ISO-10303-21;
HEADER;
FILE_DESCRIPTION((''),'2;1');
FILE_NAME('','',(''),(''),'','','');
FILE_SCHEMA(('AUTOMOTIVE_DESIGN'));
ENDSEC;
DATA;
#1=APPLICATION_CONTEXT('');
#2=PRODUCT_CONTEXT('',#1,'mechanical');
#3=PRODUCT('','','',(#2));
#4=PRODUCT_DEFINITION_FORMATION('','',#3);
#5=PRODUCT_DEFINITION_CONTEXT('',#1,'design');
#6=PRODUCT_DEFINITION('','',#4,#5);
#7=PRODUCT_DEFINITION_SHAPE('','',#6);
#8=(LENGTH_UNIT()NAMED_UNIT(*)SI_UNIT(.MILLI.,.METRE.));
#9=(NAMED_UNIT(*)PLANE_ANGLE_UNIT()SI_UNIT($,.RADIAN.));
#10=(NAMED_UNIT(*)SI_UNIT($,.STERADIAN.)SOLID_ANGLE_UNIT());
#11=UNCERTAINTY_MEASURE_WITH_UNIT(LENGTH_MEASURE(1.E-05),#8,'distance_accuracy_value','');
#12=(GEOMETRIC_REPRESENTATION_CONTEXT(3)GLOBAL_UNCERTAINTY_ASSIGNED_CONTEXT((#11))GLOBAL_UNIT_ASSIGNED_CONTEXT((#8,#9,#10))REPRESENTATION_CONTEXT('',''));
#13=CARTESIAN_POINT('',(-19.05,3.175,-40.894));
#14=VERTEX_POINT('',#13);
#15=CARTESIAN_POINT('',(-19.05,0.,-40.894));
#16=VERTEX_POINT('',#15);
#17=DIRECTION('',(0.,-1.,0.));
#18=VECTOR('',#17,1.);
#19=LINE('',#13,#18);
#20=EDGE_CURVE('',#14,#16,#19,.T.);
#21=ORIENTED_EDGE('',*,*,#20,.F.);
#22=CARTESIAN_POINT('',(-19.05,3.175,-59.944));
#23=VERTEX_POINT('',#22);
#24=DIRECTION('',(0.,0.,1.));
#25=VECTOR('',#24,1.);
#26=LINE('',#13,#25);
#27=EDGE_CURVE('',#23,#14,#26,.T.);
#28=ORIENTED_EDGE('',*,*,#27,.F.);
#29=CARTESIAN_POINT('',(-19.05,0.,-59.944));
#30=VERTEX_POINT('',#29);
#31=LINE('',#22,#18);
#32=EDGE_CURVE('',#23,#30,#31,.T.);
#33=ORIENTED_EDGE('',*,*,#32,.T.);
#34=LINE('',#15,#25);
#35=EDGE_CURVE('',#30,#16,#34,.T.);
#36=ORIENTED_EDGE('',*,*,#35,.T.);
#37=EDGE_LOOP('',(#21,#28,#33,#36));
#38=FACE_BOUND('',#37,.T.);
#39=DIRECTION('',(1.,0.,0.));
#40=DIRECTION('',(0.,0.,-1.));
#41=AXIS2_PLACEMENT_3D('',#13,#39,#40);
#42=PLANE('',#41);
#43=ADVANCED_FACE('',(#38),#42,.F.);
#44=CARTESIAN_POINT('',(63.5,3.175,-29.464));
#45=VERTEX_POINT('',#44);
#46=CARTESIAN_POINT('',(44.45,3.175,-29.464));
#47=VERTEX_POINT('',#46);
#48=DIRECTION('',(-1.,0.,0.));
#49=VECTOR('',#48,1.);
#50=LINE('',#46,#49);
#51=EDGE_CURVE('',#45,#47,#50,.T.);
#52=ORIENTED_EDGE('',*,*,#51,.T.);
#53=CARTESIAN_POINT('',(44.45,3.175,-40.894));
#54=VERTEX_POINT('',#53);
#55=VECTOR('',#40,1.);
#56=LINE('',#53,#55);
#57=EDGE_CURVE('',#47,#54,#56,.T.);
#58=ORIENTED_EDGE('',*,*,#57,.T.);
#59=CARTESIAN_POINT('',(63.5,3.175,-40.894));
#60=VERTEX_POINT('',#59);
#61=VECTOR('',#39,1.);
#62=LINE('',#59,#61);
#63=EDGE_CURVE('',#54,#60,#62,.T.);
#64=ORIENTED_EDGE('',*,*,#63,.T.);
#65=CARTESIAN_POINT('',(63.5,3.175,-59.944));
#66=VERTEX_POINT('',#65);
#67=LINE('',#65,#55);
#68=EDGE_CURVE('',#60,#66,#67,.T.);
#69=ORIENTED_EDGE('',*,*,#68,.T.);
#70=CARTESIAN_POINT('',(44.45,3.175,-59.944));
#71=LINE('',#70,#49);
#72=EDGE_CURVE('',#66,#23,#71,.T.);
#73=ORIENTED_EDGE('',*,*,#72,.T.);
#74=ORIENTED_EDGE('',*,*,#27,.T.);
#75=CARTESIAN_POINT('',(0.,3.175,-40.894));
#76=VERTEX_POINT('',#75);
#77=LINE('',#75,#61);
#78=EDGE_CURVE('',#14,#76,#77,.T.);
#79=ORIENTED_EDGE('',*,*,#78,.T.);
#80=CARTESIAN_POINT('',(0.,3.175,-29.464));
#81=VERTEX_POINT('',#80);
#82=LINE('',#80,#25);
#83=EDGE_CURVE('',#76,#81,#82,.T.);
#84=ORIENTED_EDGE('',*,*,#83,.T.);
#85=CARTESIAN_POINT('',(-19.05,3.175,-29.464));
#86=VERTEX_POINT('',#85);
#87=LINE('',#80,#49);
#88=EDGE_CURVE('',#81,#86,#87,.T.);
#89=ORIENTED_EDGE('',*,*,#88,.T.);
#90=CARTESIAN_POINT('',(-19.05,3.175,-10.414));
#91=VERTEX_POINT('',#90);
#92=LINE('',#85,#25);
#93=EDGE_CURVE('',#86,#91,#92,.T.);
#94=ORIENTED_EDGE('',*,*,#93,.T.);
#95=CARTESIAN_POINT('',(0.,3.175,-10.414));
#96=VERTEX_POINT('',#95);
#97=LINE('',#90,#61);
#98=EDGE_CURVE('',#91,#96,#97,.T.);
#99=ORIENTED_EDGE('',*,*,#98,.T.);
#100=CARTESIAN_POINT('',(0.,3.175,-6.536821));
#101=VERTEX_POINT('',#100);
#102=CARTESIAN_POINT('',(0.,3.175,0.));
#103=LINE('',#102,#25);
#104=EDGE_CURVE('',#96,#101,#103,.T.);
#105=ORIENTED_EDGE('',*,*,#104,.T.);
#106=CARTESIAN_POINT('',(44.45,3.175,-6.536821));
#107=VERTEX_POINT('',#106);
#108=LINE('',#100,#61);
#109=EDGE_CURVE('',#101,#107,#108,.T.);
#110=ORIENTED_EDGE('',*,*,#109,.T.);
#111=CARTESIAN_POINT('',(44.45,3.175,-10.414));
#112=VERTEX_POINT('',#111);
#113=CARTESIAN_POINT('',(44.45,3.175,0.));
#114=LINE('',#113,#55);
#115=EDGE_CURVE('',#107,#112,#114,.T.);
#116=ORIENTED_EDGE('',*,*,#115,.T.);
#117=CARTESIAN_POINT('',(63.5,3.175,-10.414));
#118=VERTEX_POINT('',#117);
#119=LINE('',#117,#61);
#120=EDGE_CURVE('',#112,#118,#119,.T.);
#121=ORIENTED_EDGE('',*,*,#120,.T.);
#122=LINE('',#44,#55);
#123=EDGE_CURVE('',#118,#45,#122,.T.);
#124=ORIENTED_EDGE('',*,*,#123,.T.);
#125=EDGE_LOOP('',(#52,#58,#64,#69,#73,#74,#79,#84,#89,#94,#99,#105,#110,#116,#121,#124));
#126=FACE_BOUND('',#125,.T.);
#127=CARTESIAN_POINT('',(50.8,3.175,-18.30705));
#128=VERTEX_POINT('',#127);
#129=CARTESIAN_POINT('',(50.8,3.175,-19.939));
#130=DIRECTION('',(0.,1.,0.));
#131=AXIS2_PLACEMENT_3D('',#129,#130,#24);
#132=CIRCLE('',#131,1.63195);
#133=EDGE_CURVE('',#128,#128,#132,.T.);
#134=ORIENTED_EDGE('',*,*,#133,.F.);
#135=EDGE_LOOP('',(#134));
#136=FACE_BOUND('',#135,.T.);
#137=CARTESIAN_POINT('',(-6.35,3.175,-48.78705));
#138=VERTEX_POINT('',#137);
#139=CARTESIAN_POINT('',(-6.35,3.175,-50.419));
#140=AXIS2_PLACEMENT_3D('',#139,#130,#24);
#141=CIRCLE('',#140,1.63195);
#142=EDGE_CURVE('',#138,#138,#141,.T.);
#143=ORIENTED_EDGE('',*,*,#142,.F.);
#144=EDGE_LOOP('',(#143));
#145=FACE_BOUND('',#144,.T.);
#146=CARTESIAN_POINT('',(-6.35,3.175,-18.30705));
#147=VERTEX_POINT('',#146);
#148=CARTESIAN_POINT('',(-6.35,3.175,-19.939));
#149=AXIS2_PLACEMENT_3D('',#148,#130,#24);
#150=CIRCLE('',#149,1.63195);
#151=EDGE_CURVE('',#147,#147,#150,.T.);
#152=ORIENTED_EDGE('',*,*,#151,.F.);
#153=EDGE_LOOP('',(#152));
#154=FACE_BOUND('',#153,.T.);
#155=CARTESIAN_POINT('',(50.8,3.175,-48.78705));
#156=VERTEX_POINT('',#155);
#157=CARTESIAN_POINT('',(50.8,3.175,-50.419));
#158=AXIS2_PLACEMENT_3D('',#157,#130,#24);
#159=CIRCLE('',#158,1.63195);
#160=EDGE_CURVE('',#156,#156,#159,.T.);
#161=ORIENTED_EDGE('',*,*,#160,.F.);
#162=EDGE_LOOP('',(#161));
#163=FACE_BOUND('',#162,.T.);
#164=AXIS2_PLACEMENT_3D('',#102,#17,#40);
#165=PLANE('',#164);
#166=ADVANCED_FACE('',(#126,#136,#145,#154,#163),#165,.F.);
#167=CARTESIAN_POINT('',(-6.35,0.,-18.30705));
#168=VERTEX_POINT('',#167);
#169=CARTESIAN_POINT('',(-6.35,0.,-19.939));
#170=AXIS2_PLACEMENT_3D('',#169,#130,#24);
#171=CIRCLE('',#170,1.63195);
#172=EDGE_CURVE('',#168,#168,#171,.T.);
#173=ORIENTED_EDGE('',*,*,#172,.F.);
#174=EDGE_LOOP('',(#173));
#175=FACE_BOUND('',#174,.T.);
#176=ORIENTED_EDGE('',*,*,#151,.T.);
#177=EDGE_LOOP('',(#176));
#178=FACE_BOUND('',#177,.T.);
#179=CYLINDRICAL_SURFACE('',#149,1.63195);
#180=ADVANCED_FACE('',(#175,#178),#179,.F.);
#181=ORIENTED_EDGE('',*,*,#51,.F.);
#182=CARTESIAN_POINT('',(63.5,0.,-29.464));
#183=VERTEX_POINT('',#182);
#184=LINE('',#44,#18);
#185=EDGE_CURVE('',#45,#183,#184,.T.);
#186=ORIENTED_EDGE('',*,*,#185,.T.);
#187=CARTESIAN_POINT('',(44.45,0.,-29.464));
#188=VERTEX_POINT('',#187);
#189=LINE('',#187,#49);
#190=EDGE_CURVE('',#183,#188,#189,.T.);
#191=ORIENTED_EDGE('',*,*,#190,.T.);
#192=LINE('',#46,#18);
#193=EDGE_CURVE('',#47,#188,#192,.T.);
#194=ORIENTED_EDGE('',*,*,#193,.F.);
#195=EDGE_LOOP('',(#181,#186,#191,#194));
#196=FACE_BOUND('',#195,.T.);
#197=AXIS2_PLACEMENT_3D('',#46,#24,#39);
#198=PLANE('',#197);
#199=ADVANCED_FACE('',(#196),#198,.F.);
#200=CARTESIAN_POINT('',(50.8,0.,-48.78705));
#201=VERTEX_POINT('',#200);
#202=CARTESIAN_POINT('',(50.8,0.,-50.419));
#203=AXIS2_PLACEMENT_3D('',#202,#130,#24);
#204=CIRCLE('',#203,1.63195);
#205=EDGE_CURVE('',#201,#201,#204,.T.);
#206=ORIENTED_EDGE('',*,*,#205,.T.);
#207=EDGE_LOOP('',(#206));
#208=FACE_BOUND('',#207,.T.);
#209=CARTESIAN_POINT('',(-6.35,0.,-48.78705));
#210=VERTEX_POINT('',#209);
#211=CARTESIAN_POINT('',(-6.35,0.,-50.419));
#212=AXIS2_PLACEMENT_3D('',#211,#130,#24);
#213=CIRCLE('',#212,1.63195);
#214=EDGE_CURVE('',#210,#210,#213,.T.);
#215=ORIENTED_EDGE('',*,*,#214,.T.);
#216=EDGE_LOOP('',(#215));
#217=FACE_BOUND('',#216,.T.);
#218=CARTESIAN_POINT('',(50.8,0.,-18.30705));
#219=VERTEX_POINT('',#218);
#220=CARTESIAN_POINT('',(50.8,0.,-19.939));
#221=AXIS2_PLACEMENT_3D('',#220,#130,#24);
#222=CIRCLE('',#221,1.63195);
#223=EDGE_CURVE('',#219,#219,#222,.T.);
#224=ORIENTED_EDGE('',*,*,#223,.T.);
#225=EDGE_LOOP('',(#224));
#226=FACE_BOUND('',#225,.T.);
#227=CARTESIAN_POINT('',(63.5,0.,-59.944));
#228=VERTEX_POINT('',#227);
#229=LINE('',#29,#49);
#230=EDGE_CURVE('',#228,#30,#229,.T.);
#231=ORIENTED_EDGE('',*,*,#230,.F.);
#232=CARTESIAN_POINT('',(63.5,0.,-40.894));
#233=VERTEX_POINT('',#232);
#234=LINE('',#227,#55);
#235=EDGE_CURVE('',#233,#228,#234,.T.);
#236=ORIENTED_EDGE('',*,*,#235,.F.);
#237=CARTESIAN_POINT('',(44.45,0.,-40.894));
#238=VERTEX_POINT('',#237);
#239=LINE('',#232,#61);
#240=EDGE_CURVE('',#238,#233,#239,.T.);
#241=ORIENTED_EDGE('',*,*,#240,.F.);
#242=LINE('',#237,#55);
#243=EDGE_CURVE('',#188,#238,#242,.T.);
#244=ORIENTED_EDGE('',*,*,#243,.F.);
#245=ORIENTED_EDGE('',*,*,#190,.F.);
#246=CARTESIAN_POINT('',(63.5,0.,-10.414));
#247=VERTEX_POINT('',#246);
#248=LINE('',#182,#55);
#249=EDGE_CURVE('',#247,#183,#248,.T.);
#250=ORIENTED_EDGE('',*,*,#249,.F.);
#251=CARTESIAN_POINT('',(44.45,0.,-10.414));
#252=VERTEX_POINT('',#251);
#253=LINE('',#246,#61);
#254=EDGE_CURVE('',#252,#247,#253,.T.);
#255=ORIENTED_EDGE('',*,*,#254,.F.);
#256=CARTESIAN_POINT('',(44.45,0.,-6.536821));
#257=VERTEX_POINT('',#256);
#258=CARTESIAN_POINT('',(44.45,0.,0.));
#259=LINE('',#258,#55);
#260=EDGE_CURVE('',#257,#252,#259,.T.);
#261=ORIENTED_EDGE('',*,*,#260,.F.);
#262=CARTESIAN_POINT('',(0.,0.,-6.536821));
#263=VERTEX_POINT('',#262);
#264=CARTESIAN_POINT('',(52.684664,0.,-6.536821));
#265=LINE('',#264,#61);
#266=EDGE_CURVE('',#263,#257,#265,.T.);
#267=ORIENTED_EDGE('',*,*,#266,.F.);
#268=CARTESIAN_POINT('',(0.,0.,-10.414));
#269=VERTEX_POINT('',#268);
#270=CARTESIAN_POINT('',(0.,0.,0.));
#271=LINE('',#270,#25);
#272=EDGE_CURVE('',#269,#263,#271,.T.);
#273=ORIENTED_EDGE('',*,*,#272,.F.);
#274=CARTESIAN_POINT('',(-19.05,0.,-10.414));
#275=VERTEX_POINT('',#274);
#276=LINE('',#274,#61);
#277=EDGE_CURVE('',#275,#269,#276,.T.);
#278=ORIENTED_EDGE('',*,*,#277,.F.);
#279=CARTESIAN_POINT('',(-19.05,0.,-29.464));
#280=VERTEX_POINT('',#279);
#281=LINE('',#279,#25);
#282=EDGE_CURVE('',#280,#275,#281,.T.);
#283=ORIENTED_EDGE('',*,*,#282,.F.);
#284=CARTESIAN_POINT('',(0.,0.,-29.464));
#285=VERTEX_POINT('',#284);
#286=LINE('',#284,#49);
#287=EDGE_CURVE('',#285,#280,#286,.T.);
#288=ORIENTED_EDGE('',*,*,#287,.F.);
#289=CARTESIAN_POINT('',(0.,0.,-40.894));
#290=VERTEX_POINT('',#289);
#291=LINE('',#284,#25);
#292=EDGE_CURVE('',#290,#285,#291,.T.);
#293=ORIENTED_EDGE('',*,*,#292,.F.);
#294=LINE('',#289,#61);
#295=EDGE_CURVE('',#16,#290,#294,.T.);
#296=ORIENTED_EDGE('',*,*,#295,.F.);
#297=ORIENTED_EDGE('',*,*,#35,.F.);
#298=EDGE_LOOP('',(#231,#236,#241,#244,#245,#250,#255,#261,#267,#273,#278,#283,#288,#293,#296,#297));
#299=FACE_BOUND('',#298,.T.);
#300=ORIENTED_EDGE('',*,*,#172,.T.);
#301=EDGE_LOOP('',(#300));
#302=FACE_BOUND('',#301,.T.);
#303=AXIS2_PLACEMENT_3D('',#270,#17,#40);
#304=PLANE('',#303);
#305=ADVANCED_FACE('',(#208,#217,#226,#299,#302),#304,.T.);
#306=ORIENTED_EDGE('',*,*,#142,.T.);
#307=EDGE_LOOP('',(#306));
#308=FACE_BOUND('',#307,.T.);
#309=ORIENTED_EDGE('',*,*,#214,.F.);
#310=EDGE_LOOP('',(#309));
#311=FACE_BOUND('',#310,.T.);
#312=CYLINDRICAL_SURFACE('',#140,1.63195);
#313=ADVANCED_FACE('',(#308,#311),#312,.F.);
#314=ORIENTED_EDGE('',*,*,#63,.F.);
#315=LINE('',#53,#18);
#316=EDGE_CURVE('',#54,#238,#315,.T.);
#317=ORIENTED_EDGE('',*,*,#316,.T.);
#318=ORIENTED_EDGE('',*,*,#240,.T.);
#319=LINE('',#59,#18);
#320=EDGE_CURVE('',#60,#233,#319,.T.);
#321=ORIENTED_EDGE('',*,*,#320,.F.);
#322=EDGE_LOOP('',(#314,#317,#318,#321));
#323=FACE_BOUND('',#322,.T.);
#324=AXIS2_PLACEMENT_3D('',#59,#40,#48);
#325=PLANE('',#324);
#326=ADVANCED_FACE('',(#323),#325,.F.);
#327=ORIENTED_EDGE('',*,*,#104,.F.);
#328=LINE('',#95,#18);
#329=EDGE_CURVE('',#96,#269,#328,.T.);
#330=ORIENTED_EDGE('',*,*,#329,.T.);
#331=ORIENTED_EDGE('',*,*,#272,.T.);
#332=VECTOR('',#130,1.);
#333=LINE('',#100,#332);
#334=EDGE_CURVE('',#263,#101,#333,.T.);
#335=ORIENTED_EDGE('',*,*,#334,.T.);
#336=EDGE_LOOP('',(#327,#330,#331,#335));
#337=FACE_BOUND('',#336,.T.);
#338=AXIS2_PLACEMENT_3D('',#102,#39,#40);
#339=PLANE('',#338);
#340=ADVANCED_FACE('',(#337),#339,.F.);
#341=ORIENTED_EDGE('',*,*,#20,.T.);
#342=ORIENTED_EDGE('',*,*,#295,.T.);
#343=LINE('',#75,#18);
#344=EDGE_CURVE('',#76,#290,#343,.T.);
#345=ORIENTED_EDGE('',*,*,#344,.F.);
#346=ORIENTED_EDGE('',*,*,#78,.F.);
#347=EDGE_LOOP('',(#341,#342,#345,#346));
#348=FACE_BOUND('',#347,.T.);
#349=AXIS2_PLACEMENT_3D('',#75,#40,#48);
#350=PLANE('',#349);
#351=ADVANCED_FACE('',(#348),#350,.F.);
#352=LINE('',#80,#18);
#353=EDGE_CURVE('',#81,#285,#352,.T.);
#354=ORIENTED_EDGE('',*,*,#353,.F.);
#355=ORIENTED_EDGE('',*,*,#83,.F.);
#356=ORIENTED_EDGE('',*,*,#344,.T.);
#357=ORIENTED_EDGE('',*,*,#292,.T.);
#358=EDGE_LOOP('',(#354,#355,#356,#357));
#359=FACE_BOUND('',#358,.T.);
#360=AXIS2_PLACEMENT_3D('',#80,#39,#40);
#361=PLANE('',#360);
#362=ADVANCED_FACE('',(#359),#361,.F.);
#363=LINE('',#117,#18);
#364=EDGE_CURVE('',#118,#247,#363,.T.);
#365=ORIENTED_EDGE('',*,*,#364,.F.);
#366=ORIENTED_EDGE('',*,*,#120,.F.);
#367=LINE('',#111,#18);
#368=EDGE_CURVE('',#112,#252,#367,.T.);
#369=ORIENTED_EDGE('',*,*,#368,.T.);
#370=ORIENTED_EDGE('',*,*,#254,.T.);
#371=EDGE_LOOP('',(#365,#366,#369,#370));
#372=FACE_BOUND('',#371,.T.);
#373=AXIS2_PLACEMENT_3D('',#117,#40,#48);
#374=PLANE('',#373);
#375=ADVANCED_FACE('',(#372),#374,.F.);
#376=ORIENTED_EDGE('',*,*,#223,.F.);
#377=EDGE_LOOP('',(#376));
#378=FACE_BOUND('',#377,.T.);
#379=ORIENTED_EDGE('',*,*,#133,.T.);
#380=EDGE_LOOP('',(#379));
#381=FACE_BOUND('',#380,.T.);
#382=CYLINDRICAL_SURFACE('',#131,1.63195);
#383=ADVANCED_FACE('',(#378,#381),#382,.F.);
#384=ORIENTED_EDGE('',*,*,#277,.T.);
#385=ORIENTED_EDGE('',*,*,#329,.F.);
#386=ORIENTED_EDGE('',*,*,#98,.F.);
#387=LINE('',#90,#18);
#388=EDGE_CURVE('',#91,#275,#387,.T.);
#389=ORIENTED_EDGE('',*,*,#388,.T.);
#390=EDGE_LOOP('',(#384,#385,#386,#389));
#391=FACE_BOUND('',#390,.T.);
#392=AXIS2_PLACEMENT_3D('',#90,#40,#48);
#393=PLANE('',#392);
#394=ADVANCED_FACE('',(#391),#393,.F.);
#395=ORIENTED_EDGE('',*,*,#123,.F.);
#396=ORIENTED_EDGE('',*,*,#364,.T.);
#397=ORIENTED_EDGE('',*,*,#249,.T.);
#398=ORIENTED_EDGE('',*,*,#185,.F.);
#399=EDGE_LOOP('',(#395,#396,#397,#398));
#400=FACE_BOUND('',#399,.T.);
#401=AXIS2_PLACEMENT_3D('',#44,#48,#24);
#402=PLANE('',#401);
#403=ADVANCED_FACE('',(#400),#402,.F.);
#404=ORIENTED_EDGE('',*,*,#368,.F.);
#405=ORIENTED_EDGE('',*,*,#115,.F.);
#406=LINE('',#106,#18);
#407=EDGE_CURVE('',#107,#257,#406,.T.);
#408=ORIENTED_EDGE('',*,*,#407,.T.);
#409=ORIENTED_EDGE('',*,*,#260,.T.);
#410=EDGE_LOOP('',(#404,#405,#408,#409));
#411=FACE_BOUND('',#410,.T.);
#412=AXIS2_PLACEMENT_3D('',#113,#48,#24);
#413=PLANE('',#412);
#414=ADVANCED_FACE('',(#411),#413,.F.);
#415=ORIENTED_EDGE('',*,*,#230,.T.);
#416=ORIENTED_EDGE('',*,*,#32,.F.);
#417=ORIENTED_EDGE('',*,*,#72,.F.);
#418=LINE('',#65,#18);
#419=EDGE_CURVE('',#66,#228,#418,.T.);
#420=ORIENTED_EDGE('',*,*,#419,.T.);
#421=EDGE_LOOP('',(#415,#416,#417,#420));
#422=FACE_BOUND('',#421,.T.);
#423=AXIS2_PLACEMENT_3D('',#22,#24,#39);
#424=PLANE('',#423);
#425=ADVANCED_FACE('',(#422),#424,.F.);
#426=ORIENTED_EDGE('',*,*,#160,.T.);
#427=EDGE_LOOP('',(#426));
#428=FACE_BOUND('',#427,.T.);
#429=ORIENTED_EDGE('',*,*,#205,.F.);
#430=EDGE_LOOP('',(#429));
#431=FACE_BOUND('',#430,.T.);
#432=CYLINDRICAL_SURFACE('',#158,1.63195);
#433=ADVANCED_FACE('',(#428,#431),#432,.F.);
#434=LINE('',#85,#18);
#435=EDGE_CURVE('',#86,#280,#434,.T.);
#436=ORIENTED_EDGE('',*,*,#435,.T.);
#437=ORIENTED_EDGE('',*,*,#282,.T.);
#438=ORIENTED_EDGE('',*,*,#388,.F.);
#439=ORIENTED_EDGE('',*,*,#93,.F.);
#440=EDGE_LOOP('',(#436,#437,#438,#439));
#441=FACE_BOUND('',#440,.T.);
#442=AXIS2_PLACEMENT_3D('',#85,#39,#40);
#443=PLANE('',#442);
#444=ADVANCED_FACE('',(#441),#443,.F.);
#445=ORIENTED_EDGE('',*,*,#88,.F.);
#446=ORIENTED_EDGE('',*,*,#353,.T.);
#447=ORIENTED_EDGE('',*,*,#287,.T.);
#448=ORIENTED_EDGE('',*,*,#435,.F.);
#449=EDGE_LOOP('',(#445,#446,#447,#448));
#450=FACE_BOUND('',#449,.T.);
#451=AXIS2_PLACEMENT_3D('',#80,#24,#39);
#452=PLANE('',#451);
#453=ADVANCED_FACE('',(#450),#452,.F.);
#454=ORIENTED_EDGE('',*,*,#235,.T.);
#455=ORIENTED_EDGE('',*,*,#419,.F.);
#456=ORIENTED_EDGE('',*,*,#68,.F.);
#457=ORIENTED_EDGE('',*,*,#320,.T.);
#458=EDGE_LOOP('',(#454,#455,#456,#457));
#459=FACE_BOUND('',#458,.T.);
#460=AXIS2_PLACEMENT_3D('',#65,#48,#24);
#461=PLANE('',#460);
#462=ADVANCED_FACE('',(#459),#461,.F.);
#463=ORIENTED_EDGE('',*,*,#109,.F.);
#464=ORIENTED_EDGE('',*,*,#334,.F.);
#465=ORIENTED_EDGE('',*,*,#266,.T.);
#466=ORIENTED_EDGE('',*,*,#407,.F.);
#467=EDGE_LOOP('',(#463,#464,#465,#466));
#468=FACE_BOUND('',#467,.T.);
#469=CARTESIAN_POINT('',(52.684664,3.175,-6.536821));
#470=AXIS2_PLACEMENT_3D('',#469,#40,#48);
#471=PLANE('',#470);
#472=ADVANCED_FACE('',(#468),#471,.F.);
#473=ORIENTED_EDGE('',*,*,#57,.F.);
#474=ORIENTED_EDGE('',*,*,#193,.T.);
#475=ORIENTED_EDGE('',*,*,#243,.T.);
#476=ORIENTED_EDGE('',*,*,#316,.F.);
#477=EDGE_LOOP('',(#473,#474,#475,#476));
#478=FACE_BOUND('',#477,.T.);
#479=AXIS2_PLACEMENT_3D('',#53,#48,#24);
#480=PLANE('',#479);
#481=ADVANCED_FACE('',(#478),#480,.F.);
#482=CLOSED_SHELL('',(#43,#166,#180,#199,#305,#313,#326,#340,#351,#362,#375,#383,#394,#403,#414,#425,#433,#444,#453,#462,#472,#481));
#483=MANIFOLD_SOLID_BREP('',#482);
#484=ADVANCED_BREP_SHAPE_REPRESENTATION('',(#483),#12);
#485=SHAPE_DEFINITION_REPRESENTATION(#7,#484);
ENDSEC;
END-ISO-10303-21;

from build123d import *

# Parameters (mm, degrees)
BOSS_EXTRUDE1_DEPTH   = 3.175
F_4_CLEARANCE_HOLE1_D = 3.2639
SKETCH6_W             = 47.36250333
SKETCH6_H             = 20.126599321
CUT_EXTRUDE2_DEPTH    = 95.829208522
SKETCH8_W             = 57.220052793
SKETCH8_H             = 21.750209978
CUT_EXTRUDE4_DEPTH    = 88.381999067


with BuildPart() as part:
    # Sketch2 → Boss-Extrude1 (new body)
    with BuildSketch(Plane(origin=(0, 0, 0), x_dir=(1, 0, 0), z_dir=(0, 1, 0))):
        Polygon((0, 40.894), (-19.05, 40.894), (-19.05, 59.944), (0, 59.944), (0, 70.358), (44.45, 70.358), (44.45, 59.944), (63.5, 59.944), (63.5, 40.894), (44.45, 40.894), (44.45, 29.464), (63.5, 29.464), (63.5, 10.414), (44.45, 10.414), (44.45, 0), (0, 0), (0, 10.414), (-19.05, 10.414), (-19.05, 29.464), (0, 29.464), align=None)
    extrude(amount=BOSS_EXTRUDE1_DEPTH)

    # #4 Clearance Hole1 (through all)
    with Locations(Plane(origin=(0, 3.175, 0), x_dir=(1, 0, 0), z_dir=(0, 1, 0))):
        with Locations((-6.35, 50.419), (50.8, 50.419), (50.8, 19.939), (-6.35, 19.939)):
            Hole(F_4_CLEARANCE_HOLE1_D / 2)

    # Sketch6 → Cut-Extrude2 (cut, through all)
    with BuildSketch(Plane.XZ):
        with Locations((20.768748335, -70.00729966)):
            Rectangle(SKETCH6_W, SKETCH6_H)
    extrude(amount=-CUT_EXTRUDE2_DEPTH, mode=Mode.SUBTRACT)

    # Sketch8 → Cut-Extrude4 (cut, through all)
    with BuildSketch(Plane.XZ):
        with Locations((24.07463768, 4.33828372)):
            Rectangle(SKETCH8_W, SKETCH8_H)
    extrude(amount=-CUT_EXTRUDE4_DEPTH, mode=Mode.SUBTRACT)


solid = part.part
